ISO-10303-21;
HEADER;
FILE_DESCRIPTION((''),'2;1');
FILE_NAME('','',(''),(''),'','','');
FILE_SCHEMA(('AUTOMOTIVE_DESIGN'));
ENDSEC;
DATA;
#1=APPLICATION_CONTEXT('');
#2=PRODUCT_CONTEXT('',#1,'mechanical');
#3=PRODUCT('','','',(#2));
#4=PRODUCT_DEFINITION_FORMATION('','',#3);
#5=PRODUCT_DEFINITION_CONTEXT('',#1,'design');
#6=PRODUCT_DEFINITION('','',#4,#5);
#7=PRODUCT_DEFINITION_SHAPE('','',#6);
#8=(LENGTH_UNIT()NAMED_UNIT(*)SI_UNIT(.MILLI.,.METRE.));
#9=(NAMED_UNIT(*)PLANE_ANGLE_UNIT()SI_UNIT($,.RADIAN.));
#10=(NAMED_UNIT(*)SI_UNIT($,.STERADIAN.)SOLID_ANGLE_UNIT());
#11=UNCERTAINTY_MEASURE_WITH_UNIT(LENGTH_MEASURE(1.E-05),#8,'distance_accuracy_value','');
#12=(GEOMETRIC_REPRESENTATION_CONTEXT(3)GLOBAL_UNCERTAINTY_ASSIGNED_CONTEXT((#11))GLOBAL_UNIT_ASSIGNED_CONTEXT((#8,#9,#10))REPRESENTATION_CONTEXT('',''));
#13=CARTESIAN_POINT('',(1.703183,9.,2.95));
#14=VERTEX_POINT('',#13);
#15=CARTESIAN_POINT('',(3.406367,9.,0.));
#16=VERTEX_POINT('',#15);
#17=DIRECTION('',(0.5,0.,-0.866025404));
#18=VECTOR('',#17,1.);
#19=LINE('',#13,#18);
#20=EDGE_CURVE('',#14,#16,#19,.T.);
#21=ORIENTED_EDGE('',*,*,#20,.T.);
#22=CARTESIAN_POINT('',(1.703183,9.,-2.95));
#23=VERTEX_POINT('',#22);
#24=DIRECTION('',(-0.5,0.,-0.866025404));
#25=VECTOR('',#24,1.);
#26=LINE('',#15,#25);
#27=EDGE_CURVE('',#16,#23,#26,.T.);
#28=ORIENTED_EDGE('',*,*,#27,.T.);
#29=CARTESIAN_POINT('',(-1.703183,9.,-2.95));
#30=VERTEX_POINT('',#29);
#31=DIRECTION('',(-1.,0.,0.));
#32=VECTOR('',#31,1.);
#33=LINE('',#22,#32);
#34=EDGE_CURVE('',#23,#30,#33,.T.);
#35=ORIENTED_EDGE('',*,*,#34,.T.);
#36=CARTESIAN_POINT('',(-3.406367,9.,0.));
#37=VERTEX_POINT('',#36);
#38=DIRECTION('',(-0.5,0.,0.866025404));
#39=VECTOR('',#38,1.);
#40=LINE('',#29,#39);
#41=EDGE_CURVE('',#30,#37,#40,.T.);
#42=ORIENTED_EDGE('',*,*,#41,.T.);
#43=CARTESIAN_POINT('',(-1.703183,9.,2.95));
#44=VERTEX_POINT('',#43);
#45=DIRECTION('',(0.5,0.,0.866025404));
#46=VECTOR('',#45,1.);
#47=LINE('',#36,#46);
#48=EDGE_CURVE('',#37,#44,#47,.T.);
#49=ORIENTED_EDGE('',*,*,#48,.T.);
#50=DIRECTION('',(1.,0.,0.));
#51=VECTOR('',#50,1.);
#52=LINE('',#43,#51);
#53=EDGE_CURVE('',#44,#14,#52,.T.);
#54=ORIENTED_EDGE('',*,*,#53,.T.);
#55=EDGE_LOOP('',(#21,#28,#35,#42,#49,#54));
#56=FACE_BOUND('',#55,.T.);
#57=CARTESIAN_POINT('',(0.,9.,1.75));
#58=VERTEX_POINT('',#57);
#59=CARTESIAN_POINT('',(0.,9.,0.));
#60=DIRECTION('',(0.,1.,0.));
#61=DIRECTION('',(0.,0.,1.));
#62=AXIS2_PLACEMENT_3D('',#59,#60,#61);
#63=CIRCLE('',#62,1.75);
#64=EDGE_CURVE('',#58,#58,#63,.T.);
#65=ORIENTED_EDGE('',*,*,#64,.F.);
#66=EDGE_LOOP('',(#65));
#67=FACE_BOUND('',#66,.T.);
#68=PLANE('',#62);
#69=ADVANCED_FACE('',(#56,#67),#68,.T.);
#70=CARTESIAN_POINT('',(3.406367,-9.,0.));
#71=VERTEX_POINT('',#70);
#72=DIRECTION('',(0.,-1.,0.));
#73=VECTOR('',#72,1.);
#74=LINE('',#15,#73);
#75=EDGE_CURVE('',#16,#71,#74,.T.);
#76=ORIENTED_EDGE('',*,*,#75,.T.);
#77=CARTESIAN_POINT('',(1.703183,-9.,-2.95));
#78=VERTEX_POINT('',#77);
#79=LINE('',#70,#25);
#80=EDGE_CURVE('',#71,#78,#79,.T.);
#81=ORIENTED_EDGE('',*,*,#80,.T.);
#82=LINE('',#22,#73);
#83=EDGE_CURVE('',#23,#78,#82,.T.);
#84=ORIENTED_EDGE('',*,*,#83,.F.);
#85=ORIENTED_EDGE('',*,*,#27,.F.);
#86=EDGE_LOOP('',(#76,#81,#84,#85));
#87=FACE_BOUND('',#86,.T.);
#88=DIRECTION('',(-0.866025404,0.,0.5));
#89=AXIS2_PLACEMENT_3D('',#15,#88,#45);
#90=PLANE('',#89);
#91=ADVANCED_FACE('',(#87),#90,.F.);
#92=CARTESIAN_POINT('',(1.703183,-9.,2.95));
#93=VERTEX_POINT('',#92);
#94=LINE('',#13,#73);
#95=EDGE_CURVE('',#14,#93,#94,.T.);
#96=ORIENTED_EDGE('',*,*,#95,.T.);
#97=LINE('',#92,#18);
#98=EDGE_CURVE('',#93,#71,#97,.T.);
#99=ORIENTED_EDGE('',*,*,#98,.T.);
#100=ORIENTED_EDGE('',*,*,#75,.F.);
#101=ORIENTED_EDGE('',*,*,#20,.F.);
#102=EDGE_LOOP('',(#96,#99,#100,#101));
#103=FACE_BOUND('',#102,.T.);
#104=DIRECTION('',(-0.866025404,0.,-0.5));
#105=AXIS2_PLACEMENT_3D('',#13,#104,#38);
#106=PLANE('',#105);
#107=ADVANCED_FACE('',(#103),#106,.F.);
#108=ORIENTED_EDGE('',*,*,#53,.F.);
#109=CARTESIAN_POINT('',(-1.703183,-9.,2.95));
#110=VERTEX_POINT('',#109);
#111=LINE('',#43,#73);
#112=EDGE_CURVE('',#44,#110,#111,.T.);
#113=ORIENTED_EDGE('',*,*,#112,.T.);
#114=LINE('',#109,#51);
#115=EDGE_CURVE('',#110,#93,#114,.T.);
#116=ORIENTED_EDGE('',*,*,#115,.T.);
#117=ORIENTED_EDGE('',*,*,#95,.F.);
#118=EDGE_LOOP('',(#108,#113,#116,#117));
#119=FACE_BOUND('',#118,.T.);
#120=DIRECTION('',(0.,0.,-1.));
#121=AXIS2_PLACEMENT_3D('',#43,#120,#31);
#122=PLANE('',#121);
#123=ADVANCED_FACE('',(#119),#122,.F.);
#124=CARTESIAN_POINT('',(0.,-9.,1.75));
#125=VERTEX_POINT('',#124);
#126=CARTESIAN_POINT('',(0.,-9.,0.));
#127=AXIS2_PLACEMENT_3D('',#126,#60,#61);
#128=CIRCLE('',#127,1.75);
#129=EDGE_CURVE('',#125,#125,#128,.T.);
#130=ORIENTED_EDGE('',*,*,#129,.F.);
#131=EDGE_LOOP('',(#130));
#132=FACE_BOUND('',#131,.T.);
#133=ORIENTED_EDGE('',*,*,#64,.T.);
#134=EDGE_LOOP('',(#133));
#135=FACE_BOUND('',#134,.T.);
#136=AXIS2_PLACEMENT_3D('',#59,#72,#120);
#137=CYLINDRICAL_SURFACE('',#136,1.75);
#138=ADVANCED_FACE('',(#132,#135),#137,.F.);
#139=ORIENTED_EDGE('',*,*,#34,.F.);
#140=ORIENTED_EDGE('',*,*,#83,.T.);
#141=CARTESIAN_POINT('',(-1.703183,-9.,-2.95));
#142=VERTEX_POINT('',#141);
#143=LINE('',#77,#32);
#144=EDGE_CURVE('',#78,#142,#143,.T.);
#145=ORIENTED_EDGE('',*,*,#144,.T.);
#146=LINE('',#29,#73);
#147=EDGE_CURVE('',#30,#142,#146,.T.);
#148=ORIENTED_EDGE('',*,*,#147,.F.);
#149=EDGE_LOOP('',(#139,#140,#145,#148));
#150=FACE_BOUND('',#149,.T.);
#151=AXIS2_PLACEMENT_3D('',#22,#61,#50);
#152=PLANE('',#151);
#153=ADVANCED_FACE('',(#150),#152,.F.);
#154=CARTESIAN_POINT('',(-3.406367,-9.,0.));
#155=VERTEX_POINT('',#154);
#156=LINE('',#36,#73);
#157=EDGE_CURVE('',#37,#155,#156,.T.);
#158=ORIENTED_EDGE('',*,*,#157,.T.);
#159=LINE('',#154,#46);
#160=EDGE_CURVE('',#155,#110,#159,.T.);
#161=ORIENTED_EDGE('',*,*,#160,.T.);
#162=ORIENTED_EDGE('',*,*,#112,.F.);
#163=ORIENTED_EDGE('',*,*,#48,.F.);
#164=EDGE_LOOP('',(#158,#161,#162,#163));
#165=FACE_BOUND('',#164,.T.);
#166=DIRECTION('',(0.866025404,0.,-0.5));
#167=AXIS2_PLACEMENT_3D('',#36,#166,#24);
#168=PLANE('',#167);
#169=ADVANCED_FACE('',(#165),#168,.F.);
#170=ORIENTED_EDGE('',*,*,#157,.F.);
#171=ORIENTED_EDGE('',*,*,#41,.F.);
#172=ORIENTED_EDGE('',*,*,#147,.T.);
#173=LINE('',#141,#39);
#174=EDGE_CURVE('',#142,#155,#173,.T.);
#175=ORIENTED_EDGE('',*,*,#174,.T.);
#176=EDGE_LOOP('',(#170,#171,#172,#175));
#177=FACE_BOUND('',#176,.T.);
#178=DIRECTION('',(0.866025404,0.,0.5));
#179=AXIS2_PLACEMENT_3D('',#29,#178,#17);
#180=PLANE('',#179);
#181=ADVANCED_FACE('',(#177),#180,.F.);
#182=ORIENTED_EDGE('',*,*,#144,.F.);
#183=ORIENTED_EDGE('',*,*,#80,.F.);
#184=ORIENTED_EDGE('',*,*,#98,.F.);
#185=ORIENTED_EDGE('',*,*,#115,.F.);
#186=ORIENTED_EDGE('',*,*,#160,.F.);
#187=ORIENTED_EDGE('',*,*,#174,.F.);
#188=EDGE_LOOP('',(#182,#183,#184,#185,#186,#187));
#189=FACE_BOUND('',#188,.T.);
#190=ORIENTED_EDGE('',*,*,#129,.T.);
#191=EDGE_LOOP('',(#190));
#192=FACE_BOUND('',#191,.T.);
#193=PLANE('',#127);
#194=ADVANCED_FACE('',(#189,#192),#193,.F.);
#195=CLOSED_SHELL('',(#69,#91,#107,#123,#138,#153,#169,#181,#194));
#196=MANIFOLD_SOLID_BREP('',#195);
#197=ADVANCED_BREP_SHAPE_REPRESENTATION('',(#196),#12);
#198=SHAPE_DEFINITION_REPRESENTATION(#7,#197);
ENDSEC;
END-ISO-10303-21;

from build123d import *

# Parameters (mm, degrees)
SKETCH1_R           = 1.75
BOSS_EXTRUDE1_DEPTH = 9


with BuildPart() as part:
    # Sketch1 → Boss-Extrude1 (new, symmetric)
    with BuildSketch(Plane(origin=(0, 0, 0), x_dir=(1, 0, 0), z_dir=(0, 1, 0))):
        Polygon((3.406366588, 0), (1.703183294, 2.95), (-1.703183294, 2.95), (-3.406366588, 0), (-1.703183294, -2.95), (1.703183294, -2.95), align=None)
        with Locations(Location((0, 0, 0), (0, 0, 270))):
            Circle(SKETCH1_R, mode=Mode.SUBTRACT)
    extrude(amount=BOSS_EXTRUDE1_DEPTH, both=True)


solid = part.part
